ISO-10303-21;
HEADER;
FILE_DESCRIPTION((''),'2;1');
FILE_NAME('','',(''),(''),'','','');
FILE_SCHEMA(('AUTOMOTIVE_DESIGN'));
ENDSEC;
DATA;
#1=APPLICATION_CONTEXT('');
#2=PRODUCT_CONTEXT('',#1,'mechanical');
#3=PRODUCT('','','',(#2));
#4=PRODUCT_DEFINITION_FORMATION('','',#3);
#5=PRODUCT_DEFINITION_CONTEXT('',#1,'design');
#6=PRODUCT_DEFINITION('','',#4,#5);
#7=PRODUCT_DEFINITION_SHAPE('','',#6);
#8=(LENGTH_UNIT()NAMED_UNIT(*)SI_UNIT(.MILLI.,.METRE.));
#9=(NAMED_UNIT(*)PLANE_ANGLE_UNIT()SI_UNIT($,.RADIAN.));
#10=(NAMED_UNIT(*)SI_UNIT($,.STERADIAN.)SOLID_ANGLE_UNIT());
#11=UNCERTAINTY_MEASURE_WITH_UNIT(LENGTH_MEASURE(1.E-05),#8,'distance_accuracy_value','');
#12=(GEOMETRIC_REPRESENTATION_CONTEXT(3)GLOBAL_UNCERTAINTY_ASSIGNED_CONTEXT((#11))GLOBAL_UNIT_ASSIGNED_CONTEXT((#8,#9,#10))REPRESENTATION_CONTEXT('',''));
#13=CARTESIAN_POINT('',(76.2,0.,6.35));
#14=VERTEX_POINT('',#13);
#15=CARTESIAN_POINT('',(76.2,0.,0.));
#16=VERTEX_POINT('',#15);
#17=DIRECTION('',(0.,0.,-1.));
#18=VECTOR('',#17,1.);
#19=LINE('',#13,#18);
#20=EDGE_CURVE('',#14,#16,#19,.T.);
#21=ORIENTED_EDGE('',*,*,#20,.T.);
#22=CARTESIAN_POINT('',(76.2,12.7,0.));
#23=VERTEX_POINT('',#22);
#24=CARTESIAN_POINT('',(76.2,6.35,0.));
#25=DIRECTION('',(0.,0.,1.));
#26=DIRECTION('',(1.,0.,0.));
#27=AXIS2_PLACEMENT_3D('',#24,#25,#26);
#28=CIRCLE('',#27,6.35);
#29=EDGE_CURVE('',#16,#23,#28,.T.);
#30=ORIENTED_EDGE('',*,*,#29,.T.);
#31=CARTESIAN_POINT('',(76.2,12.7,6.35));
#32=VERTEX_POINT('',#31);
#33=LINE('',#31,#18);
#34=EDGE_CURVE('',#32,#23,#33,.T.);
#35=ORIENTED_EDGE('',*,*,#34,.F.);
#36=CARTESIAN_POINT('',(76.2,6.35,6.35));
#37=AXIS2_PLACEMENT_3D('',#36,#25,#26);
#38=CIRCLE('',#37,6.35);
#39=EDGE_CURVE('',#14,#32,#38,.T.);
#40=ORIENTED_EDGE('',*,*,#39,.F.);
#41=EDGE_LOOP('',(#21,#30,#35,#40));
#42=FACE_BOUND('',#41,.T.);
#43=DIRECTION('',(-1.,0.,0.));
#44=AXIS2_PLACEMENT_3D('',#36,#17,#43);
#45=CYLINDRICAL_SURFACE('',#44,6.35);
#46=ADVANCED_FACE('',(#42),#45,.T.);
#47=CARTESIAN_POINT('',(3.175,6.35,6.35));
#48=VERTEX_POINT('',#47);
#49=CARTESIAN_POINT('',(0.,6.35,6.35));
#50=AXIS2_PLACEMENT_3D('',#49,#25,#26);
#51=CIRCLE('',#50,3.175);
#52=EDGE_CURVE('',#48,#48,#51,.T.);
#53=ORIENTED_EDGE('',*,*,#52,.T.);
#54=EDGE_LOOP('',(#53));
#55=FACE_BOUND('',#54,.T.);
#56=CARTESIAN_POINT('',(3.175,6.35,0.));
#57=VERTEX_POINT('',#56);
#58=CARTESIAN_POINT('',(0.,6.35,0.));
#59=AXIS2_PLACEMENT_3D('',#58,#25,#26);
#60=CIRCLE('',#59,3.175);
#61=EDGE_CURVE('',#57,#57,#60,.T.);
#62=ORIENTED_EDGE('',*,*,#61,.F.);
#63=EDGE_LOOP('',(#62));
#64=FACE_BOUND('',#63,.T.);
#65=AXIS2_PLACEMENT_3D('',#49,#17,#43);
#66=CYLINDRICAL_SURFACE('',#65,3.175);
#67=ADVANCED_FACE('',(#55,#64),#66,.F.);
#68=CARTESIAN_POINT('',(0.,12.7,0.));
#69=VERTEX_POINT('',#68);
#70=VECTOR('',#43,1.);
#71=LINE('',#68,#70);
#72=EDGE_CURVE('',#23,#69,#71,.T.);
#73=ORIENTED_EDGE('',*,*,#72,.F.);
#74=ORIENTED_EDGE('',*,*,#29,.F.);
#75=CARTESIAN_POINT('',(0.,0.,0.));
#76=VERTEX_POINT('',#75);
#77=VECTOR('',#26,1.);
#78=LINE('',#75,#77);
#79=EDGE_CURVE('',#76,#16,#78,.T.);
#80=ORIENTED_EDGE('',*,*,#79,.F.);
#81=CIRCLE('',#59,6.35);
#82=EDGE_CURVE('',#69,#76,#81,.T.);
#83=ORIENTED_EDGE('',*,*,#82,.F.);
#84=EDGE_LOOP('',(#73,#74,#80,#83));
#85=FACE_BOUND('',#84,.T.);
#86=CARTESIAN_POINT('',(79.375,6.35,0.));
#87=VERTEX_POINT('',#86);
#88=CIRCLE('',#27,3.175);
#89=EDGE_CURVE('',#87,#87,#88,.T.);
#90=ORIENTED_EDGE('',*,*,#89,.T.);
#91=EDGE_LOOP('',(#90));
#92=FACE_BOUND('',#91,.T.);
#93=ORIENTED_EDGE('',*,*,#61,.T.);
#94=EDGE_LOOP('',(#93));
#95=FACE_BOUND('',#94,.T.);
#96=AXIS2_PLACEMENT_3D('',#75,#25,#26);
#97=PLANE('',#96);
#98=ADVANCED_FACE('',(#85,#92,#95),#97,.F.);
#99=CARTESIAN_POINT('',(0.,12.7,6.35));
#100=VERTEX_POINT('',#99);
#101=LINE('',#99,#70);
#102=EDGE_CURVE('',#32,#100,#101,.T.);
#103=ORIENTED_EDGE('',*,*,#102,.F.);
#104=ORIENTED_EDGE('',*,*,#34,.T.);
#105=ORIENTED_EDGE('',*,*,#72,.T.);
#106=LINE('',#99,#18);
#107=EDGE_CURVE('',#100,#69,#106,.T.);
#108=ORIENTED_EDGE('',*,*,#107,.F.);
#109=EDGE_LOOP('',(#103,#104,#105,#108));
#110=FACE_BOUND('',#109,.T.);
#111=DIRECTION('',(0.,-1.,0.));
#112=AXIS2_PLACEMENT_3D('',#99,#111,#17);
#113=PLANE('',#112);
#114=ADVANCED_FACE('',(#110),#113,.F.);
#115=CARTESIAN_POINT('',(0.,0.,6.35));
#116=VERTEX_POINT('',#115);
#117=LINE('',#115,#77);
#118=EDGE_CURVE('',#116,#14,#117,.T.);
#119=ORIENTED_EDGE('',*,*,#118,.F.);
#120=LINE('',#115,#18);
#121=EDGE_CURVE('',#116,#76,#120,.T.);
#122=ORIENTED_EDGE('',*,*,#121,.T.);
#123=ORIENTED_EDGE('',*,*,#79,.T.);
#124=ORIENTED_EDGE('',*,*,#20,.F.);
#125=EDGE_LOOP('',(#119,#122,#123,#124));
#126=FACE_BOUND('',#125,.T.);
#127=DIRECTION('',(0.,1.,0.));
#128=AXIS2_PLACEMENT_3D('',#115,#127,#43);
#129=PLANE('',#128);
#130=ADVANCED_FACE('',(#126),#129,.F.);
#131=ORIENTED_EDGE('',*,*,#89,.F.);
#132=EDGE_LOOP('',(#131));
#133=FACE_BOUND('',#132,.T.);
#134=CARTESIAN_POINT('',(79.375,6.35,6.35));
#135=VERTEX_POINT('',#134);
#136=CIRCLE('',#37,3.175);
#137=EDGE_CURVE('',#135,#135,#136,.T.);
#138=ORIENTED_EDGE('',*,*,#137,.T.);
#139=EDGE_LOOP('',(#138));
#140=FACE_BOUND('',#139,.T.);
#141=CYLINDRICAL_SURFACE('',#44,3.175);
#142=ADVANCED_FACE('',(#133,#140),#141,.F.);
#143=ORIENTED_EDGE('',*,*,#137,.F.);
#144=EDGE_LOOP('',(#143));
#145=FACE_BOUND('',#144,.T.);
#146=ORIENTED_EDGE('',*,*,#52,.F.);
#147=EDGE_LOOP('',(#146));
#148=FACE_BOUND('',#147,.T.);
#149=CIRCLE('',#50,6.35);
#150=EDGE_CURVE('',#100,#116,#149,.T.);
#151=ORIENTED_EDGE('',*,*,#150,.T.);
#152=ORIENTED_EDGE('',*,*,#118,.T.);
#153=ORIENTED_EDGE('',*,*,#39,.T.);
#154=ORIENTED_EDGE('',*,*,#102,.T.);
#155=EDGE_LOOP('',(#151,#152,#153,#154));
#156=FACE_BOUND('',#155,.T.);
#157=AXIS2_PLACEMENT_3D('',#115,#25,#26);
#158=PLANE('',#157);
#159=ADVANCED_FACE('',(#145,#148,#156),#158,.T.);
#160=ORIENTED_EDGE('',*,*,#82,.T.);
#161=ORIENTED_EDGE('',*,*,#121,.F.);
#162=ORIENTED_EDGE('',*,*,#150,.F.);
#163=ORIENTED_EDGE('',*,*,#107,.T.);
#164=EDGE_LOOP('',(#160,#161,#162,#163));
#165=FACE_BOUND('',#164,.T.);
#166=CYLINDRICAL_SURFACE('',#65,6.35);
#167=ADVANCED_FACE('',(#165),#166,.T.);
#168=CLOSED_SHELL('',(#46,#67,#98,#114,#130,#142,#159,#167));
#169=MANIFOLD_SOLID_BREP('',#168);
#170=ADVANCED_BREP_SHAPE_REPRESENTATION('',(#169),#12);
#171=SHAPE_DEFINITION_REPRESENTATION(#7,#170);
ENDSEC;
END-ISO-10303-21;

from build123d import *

# Parameters (mm, degrees)
SKETCH1_R        = 3.175
EXTRUSION1_DEPTH = 6.35


with BuildPart() as part:
    # Sketch1 → Extrusion1 (new body)
    with BuildSketch(Plane.XY):
        with BuildLine():
            Line((0, 0), (76.2, 0))
            ThreePointArc((76.2, 0), (82.55, 6.35), (76.2, 12.7))
            Line((76.2, 12.7), (0, 12.7))
            ThreePointArc((0, 12.7), (-6.35, 6.35), (0, 0))
        make_face()
        with Locations((76.2, 6.35)):
            Circle(SKETCH1_R, mode=Mode.SUBTRACT)
        with Locations((0, 6.35)):
            Circle(SKETCH1_R, mode=Mode.SUBTRACT)
    extrude(amount=EXTRUSION1_DEPTH)


solid = part.part
